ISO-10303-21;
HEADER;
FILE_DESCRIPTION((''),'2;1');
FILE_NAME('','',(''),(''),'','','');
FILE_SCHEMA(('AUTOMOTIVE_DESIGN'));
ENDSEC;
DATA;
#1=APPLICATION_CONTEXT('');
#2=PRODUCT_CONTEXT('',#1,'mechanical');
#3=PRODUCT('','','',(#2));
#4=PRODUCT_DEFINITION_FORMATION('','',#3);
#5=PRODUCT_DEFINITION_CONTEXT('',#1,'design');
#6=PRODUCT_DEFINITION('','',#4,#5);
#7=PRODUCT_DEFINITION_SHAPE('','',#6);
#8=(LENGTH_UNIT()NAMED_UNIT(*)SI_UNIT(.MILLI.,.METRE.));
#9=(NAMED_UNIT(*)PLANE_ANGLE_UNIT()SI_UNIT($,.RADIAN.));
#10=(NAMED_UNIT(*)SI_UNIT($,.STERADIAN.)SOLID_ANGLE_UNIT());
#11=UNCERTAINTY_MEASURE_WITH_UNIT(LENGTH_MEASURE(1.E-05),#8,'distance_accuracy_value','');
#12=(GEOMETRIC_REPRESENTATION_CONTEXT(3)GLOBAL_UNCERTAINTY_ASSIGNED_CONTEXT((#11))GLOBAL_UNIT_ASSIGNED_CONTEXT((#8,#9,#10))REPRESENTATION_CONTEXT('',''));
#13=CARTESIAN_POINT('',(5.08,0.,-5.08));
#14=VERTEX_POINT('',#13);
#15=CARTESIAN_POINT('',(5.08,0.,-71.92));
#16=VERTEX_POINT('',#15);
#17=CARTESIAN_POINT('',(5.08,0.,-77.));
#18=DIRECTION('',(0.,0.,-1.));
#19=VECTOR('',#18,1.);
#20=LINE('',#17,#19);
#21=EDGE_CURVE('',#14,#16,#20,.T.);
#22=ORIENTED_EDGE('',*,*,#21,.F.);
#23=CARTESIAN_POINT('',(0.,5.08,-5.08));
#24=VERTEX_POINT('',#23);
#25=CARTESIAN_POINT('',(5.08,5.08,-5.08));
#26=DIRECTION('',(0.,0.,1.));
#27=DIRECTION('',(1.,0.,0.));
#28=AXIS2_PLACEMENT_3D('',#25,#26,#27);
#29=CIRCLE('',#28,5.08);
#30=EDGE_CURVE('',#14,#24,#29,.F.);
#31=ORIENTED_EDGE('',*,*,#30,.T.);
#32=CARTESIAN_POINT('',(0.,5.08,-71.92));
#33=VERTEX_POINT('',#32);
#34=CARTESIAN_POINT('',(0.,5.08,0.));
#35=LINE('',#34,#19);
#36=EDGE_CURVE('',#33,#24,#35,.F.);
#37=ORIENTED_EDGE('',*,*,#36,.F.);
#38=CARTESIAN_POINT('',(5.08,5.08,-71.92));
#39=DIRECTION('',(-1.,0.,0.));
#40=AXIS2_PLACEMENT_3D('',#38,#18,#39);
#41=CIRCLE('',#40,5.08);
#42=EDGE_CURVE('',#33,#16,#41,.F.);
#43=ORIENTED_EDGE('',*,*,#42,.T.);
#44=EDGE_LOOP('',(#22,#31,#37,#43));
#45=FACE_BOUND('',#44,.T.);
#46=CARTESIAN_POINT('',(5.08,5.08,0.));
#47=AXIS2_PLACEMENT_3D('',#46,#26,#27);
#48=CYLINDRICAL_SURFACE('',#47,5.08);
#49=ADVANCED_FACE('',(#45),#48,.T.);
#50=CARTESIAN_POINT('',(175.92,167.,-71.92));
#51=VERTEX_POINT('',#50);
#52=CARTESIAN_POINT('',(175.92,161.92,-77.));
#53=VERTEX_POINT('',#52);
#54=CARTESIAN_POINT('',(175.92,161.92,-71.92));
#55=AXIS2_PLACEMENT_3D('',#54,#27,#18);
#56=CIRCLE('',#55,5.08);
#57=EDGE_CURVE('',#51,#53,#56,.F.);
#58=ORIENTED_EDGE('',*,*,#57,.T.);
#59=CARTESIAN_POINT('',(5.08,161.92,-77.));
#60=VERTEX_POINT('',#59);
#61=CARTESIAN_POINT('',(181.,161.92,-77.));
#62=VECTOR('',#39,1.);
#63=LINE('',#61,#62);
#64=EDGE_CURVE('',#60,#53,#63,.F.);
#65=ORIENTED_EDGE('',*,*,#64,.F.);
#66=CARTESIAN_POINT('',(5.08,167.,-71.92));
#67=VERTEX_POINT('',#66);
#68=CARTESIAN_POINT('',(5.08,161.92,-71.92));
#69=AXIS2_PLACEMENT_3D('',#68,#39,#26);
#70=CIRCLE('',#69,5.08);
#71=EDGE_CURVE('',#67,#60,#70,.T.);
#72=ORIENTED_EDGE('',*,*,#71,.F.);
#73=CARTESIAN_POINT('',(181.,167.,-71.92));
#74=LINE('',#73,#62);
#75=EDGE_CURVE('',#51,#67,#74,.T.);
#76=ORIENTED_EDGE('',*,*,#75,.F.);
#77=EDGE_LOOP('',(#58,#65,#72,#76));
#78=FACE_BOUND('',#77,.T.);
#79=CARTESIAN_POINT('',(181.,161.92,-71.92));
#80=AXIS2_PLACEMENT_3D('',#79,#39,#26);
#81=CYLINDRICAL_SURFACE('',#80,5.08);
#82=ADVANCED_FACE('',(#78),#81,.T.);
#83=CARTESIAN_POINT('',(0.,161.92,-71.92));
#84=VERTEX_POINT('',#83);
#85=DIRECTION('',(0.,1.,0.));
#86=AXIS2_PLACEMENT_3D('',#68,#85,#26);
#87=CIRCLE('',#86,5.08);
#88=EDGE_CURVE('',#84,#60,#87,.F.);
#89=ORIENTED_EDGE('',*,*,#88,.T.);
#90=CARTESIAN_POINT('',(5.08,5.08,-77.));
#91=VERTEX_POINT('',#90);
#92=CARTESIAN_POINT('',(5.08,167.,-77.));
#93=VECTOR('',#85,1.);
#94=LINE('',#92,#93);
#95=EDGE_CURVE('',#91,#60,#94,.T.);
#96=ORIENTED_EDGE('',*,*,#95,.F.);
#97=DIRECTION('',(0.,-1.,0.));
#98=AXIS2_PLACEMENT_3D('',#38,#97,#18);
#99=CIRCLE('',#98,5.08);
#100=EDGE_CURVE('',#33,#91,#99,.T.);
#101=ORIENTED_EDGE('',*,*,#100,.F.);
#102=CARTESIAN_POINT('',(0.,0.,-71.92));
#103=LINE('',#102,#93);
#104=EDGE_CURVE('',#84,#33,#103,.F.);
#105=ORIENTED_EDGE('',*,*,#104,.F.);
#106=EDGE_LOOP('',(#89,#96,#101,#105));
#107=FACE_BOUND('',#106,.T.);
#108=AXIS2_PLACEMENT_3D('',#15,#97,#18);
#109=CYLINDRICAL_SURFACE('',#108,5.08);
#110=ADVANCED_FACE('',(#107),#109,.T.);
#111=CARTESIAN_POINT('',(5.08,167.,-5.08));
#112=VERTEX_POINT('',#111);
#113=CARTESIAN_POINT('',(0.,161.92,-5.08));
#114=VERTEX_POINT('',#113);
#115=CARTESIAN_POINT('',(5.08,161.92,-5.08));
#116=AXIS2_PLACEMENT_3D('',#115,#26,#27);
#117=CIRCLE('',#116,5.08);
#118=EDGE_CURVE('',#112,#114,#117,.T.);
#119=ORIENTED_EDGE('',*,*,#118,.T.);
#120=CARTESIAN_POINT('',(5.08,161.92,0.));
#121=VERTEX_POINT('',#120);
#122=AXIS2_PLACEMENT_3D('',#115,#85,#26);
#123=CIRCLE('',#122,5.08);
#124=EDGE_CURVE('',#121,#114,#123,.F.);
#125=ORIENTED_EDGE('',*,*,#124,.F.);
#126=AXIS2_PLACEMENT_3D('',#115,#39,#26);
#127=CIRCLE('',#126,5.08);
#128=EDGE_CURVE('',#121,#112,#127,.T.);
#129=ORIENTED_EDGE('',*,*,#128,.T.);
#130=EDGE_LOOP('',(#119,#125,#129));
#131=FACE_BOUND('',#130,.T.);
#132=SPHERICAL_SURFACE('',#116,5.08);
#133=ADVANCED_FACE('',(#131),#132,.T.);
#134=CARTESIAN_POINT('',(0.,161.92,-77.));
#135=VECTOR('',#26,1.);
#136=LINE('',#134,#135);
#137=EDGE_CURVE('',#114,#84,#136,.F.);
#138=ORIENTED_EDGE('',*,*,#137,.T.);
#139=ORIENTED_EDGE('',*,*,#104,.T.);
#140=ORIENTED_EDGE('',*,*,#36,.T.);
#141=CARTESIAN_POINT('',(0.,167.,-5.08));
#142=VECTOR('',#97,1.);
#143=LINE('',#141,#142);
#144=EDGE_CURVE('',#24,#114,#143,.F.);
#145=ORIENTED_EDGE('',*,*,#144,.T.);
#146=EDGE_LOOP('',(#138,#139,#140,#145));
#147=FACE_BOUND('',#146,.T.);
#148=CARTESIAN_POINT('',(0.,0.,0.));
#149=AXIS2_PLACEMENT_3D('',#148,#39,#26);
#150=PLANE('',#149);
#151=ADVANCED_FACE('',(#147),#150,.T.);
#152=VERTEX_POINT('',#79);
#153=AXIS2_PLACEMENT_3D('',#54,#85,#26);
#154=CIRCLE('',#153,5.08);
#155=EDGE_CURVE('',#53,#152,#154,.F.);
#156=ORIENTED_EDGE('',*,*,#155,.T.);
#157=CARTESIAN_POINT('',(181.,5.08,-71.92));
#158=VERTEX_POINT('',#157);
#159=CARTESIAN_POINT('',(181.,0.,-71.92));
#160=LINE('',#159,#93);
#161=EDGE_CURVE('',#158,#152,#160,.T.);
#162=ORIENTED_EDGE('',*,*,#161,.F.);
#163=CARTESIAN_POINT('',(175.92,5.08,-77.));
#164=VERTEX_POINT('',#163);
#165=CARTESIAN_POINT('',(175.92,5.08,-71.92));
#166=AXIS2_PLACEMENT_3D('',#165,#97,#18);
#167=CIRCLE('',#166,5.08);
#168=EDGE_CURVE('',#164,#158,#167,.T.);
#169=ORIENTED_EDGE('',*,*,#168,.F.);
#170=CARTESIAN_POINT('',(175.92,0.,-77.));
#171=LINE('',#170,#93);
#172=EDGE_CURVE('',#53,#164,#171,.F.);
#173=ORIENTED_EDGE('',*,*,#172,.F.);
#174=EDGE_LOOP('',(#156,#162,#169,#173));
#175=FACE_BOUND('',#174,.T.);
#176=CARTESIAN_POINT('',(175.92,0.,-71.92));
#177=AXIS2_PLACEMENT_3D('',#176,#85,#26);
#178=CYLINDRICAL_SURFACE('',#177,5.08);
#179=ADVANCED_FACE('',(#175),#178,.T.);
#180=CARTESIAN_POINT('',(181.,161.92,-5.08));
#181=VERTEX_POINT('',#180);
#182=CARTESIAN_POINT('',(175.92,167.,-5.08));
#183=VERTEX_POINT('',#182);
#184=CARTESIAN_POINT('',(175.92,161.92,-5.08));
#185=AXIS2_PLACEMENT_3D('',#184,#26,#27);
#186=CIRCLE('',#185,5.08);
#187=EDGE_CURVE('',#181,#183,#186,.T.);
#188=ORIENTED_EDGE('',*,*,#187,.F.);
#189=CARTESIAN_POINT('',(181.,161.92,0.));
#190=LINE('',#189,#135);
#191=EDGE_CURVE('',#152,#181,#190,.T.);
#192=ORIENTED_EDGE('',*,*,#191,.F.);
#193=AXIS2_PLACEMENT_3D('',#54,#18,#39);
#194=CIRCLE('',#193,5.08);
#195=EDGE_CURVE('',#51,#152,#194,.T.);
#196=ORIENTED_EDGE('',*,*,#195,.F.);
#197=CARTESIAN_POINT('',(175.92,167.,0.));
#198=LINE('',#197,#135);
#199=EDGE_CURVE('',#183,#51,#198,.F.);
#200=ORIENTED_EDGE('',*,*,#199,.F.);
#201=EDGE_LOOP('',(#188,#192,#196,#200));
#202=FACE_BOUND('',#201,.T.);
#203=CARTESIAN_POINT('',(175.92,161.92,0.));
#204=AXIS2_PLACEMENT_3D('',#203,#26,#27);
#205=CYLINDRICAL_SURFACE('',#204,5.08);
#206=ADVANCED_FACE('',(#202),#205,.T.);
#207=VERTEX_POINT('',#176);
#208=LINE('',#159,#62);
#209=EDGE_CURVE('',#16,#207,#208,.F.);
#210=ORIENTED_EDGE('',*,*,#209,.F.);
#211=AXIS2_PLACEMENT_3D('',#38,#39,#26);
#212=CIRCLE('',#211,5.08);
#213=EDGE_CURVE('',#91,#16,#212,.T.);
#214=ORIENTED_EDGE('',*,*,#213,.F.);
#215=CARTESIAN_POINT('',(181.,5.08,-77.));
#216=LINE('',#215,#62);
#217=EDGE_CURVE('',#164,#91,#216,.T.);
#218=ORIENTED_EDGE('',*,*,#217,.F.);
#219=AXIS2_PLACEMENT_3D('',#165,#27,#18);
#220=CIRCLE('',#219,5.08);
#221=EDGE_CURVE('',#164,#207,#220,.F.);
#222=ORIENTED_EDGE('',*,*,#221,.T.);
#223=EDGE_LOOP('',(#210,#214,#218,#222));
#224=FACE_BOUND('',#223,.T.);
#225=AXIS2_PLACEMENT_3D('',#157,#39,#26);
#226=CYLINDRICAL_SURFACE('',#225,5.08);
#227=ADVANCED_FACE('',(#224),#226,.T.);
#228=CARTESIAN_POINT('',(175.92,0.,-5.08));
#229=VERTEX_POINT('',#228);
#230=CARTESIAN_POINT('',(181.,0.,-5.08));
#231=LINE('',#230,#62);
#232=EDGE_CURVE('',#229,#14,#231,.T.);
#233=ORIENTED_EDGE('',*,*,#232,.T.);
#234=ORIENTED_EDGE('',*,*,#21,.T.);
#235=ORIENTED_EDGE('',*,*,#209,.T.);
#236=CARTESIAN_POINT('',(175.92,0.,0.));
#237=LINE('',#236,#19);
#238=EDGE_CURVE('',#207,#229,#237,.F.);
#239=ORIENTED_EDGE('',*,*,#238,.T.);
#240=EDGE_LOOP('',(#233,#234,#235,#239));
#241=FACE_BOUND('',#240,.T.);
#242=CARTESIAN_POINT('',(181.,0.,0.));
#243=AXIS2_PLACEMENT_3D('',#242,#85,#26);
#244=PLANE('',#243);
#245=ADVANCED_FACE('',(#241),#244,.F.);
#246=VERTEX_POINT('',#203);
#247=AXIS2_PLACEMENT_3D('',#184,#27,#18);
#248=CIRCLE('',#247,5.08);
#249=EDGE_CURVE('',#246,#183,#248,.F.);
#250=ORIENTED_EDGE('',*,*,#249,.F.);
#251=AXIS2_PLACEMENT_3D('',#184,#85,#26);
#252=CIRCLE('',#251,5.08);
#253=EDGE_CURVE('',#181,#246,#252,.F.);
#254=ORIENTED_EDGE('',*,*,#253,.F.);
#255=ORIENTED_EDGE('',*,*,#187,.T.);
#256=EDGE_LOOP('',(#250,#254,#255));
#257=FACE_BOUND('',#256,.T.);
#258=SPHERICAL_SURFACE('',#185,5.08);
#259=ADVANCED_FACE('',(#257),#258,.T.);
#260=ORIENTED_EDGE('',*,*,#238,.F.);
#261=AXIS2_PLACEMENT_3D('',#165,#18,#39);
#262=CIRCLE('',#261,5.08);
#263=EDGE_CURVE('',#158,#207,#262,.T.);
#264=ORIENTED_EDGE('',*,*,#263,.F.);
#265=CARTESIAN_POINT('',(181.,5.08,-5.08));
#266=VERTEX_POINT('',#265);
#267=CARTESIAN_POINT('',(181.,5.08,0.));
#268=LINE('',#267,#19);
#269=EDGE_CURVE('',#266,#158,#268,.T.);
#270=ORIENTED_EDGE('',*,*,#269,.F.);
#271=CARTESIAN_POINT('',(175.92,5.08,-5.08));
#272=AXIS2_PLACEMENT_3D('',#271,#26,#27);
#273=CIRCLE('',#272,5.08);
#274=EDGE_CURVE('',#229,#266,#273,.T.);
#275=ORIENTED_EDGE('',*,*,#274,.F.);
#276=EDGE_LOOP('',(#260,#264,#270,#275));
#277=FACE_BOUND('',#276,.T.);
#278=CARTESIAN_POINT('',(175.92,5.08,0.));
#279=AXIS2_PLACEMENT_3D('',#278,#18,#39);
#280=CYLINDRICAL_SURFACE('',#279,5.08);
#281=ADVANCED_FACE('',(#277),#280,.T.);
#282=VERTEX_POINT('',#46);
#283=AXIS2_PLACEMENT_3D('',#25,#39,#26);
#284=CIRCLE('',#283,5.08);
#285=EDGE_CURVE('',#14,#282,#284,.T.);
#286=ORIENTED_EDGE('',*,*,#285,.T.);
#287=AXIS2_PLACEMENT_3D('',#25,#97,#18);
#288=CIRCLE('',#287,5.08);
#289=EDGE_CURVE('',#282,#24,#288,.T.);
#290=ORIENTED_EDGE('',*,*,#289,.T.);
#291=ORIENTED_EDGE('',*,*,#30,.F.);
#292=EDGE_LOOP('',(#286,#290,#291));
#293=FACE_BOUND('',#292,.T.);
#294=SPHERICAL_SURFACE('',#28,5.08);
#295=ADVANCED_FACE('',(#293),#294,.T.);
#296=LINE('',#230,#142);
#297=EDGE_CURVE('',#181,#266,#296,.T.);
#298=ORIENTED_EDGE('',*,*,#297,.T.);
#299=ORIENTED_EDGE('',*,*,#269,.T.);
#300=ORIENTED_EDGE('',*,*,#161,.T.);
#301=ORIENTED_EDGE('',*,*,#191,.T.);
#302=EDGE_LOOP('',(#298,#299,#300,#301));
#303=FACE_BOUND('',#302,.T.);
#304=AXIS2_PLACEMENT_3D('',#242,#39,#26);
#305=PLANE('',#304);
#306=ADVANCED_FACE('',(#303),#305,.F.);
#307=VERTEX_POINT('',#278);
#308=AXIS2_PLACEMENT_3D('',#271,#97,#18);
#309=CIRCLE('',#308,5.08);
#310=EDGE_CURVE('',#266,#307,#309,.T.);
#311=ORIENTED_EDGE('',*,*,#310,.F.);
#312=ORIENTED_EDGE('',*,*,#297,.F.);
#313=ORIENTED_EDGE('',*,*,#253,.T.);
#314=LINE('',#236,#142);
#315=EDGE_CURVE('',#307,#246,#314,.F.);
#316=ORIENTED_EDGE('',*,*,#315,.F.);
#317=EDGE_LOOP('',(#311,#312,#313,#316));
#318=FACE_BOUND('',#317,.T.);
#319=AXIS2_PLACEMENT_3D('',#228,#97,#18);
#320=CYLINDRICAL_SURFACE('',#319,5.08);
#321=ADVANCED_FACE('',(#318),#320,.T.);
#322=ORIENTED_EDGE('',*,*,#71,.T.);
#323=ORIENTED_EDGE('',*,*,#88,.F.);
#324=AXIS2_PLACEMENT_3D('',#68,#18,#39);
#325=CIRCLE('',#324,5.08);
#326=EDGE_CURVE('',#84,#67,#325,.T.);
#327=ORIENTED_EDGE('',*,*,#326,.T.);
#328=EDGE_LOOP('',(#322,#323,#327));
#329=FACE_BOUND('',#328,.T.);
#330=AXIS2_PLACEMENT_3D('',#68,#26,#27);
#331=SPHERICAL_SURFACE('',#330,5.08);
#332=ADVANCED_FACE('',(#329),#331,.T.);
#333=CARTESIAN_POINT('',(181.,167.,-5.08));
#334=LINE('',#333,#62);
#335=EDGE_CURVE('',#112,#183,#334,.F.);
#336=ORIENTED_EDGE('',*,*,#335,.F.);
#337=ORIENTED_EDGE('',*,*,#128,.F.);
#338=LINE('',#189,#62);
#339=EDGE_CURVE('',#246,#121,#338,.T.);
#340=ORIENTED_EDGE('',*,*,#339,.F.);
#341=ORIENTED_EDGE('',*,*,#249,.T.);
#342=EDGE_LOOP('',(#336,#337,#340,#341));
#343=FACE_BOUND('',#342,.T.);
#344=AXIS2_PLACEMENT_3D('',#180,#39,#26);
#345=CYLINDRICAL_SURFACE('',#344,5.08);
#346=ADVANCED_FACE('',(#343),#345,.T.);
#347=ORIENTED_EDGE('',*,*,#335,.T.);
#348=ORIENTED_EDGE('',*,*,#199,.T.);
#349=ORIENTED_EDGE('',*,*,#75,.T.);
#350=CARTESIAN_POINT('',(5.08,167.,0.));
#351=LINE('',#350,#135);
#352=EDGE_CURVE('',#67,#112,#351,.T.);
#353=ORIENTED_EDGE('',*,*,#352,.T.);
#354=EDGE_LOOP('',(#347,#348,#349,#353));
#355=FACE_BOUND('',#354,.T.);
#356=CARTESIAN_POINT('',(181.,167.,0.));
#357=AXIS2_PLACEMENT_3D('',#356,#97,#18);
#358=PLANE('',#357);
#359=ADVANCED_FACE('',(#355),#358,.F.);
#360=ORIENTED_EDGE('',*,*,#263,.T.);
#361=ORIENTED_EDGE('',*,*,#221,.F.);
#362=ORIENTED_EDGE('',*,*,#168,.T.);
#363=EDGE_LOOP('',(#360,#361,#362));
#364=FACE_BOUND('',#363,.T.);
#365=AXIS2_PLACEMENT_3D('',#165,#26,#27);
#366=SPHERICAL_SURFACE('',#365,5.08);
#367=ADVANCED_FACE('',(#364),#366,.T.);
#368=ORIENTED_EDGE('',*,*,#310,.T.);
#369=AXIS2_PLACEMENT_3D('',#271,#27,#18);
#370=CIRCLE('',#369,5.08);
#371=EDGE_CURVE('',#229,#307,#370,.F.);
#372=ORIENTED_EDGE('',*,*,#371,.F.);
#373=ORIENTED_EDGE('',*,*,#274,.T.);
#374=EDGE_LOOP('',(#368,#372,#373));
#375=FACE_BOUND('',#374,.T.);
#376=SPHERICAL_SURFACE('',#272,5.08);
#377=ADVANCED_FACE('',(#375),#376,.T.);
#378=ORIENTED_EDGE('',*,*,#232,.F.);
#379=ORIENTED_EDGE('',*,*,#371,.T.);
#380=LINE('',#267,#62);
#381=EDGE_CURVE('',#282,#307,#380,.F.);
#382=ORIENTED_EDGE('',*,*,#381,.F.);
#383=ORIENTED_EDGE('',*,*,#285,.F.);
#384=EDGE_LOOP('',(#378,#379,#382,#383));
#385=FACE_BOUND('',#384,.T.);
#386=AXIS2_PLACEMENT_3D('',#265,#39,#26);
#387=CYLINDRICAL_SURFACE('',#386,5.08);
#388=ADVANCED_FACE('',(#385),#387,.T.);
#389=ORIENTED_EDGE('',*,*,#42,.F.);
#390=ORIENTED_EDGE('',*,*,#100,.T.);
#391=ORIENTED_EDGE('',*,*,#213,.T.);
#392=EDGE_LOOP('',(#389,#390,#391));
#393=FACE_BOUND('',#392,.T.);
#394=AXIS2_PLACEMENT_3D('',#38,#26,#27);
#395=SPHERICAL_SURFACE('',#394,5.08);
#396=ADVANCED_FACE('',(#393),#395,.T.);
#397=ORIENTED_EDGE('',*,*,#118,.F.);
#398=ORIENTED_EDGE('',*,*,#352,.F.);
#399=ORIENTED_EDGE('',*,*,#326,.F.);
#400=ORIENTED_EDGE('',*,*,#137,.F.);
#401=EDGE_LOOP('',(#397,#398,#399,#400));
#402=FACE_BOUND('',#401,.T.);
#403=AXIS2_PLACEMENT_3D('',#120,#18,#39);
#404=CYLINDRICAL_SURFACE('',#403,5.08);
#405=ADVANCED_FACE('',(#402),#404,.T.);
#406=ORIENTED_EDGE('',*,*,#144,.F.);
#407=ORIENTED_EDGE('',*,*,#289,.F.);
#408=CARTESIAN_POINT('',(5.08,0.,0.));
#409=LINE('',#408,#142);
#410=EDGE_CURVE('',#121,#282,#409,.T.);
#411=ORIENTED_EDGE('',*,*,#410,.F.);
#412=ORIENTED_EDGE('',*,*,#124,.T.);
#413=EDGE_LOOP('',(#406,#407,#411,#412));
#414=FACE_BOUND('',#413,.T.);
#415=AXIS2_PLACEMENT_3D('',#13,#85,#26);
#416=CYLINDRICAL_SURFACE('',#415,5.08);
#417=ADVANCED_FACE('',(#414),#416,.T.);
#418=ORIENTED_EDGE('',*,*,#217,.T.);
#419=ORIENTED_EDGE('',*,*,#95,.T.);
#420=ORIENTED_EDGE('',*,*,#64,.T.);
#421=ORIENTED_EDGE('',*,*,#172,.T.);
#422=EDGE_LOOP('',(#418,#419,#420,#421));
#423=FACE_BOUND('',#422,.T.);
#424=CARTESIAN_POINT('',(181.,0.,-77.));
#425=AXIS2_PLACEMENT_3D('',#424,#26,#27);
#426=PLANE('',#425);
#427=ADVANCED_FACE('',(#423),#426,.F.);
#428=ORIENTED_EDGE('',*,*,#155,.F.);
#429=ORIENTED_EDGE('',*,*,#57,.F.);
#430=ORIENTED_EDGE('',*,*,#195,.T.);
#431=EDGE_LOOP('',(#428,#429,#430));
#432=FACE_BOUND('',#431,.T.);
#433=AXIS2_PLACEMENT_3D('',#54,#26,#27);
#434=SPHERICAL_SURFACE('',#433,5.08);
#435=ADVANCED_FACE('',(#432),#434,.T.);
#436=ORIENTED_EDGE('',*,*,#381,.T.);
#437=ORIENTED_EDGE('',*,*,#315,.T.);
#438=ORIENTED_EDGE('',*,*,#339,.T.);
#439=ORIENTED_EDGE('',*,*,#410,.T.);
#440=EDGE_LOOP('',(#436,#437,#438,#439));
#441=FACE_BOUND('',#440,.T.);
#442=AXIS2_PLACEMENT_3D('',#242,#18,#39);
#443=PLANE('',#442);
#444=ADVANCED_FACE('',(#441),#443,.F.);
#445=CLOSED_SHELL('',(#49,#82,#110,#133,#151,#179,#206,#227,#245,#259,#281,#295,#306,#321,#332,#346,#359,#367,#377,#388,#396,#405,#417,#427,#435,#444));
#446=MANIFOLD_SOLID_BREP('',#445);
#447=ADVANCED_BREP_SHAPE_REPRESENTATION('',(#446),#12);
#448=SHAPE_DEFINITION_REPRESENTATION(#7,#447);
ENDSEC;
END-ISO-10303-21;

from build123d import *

# Parameters (mm, degrees)
SKETCH2_W           = 77
SKETCH2_H           = 167
BOSS_EXTRUDE1_DEPTH = 181
FILLET1_R           = 5.08


with BuildPart() as part:
    # Sketch2 → Boss-Extrude1 (new body)
    with BuildSketch(Plane(origin=(0, 0, 0), x_dir=(0, 0, -1), z_dir=(1, 0, 0))):
        with Locations((38.5, 83.5)):
            Rectangle(SKETCH2_W, SKETCH2_H)
    extrude(amount=BOSS_EXTRUDE1_DEPTH)

    # Fillet1
    fillet1_edges = [part.edges().sort_by_distance(p)[0] for p in [
        (181, 83.5, -77),
        (181, 167, -38.5),
        (181, 83.5, 0),
        (0, 167, -38.5),
        (0, 83.5, -77),
        (0, 0, -38.5),
        (0, 83.5, 0),
        (181, 0, -38.5),
        (90.5, 167, 0),
        (90.5, 167, -77),
        (90.5, 0, -77),
        (90.5, 0, 0),
    ]]
    fillet(fillet1_edges, radius=FILLET1_R)


solid = part.part
